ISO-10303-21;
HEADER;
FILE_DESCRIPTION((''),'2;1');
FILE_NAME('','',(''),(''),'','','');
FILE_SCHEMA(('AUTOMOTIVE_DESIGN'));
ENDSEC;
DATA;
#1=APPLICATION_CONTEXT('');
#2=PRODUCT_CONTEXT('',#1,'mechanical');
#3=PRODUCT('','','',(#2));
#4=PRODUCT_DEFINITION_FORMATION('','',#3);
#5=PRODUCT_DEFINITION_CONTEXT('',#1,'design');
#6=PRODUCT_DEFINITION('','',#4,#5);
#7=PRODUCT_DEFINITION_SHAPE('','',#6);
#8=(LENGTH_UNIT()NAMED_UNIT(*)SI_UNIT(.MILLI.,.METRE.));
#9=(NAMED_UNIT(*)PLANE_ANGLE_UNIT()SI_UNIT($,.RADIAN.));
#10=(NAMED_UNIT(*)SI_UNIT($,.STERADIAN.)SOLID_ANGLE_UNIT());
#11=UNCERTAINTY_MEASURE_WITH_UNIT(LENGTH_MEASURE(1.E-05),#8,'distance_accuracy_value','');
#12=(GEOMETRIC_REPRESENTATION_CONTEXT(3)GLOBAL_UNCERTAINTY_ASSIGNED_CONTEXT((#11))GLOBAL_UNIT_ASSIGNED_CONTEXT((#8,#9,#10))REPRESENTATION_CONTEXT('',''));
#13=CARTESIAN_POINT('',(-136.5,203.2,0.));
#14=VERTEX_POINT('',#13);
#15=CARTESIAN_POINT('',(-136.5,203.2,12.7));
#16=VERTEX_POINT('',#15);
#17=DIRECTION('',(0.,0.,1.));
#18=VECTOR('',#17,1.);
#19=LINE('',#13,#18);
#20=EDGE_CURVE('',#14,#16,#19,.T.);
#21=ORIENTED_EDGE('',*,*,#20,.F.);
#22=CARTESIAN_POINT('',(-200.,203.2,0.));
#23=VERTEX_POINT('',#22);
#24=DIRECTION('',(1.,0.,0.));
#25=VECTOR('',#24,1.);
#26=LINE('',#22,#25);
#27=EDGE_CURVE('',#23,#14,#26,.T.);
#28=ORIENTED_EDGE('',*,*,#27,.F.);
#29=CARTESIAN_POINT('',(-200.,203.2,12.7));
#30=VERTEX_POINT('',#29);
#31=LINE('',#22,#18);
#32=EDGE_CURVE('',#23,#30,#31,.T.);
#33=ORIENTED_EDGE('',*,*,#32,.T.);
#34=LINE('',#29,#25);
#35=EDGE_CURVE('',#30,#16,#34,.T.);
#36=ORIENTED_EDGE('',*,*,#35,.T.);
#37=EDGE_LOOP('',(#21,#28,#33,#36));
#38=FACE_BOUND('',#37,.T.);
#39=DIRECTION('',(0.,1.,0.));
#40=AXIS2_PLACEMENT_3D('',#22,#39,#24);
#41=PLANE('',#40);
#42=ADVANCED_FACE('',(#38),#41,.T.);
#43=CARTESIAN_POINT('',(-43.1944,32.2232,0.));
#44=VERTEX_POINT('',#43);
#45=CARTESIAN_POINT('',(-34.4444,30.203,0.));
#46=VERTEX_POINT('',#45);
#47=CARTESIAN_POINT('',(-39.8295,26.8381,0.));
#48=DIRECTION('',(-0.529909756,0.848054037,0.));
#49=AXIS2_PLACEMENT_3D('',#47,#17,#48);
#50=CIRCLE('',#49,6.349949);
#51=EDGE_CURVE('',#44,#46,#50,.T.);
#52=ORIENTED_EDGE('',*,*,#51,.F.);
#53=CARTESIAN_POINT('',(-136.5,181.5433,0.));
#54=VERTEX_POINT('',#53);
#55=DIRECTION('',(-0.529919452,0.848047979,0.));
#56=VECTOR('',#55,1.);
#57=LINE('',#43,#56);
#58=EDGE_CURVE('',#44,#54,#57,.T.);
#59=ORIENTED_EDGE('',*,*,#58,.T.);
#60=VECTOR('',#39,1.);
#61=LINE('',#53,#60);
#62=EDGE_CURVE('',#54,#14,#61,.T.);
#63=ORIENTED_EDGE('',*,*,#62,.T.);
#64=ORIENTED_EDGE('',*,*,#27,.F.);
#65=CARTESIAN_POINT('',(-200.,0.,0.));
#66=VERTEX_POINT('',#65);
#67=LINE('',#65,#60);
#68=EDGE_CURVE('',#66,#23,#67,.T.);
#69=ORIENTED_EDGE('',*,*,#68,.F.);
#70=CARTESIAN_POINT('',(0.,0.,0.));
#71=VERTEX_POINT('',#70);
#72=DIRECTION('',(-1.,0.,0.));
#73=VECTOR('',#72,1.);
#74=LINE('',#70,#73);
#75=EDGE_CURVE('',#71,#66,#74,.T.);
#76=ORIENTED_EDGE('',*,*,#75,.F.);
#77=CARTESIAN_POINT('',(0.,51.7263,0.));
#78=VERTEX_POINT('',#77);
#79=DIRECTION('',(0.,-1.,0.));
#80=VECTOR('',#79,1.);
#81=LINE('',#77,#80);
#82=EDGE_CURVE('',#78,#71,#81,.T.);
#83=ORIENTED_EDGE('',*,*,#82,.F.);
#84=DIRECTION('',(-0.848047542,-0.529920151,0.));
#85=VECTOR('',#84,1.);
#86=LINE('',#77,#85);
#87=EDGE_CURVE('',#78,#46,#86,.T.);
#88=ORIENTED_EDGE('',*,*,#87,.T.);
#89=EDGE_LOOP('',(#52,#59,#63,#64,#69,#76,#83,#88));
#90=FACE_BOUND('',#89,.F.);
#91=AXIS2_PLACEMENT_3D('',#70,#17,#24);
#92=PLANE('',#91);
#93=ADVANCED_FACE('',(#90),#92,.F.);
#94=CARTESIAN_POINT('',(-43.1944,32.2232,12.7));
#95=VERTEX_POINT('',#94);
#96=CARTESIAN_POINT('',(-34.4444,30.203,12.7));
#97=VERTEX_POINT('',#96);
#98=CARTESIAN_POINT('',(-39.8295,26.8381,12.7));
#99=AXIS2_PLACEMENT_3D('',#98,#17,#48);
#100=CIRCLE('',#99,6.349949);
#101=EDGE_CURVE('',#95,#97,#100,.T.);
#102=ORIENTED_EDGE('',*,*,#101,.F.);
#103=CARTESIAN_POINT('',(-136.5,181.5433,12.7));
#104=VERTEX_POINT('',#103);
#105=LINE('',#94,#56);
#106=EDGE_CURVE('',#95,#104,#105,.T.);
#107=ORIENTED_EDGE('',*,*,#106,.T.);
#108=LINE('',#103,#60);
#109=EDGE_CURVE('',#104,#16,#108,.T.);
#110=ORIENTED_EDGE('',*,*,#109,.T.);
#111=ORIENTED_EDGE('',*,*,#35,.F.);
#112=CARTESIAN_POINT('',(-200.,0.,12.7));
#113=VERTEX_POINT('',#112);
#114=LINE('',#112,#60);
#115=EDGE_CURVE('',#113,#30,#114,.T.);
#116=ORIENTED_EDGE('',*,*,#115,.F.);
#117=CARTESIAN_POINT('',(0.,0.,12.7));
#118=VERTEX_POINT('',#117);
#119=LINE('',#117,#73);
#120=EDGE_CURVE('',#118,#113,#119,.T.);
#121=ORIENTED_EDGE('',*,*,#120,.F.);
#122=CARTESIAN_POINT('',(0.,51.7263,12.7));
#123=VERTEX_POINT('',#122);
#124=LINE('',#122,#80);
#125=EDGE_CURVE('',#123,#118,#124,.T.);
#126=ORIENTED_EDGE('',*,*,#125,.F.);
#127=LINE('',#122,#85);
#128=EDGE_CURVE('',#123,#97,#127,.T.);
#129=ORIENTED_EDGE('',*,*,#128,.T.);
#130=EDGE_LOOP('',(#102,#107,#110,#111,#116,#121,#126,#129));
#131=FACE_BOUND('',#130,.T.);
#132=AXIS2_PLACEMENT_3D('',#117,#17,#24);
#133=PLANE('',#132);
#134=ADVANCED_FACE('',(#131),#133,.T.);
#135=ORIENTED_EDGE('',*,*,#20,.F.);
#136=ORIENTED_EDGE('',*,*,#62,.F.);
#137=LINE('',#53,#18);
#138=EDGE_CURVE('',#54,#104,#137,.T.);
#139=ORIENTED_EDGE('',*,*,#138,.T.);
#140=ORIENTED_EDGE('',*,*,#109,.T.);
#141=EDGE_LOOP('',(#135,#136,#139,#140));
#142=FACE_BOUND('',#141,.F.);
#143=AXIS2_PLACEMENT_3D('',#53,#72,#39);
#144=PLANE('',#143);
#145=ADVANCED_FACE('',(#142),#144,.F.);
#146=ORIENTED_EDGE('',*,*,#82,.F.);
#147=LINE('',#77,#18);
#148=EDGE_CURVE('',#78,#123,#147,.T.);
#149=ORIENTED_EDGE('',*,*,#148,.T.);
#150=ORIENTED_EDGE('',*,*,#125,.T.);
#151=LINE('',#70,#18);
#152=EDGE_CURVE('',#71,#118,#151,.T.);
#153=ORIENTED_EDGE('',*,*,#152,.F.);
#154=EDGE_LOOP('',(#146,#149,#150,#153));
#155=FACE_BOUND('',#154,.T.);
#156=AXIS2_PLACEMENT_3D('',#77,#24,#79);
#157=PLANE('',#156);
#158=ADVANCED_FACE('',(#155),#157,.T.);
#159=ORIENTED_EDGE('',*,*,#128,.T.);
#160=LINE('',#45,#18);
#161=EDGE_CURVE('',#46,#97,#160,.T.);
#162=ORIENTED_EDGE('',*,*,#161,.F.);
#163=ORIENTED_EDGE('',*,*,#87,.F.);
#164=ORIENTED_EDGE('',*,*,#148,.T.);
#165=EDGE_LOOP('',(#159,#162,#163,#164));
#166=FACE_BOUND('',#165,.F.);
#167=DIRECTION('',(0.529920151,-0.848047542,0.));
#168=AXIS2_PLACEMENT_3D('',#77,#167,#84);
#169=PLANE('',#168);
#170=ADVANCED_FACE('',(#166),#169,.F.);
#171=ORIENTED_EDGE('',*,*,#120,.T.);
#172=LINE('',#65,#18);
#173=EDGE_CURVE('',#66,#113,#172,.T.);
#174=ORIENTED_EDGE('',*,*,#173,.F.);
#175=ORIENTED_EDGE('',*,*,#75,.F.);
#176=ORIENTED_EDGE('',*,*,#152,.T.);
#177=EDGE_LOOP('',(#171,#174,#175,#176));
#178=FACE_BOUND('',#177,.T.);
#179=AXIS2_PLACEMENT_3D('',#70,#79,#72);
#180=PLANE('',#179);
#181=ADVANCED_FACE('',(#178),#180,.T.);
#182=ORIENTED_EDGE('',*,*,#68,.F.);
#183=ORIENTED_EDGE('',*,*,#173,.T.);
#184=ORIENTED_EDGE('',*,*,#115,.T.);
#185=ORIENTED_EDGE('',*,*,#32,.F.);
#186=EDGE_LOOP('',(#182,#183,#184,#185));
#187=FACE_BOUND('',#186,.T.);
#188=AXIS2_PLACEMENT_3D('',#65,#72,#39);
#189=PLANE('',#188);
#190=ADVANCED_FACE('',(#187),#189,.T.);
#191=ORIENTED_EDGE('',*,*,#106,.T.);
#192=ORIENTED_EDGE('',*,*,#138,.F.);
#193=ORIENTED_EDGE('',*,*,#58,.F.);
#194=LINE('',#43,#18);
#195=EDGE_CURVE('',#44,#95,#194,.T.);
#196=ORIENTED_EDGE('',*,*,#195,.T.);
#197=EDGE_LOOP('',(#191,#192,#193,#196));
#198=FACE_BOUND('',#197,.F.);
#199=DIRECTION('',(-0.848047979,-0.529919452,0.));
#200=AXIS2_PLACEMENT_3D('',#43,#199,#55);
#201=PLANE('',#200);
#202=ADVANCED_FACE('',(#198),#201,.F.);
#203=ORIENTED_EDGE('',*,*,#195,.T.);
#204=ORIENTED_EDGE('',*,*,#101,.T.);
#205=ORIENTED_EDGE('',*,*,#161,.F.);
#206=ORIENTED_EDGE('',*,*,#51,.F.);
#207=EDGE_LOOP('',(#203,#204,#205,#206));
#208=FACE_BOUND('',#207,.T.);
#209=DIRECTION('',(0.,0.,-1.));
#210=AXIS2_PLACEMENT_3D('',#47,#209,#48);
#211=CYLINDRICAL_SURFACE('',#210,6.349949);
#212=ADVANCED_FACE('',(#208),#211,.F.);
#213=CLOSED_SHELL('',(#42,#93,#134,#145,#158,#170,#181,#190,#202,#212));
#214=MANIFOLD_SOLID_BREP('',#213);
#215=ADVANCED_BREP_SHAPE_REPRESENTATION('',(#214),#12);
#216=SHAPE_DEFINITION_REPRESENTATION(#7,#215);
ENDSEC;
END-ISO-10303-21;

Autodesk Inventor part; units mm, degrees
ref_plane "Right" through (0, 0, 0) normal (1, 0, 0) x (0, 1, 0)
ref_plane "Top" through (0, 0, 0) normal (0, 1, 0) x (-1, 0, 0)
ref_plane "Front" through (0, 0, 0) normal (0, 0, 1) x (1, 0, 0)
sketch "Sketch1" plane through (0, 0, 0) normal (0, 0, 1) x (1, 0, 0)
  line L0 (0, 0) -> (-200, 0) construction
  line L1 (-200, 0) -> (-200, 400) construction
  line L2 (-200, 400) -> (0, 400) construction
  line L3 (0, 400) -> (0, 0) construction
  line L4 (11.905, 82.55) -> (10, 82.55)
  line L5 (10, 82.55) -> (10, 50.8)
  line L6 (10, 50.8) -> (11.905, 50.8)
  line L7 (11.905, 50.8) -> (11.905, 82.55)
  line L8 (-46.4241, 188.377) -> (10, 98.0795) construction
  line L9 (10, 98.0795) -> (10, 57.975) construction
  line L10 (10, 57.975) -> (-21.8066, 38.1) construction
  line L11 (-21.8066, 38.1) -> (-57.8523, 55.6807) construction
  line L12 (-57.8523, 55.6807) -> (-114.2764, 145.9781) construction
  line L13 (-114.2764, 145.9781) -> (-46.4241, 188.377) construction
  line L14 (0, 51.7263) -> (0, 0)
  line L15 (0, 0) -> (-200, 0)
  line L16 (-200, 0) -> (-200, 203.2)
  line L17 (-200, 203.2) -> (-136.5, 203.2)
  line L18 (0, 51.7263) -> (-34.4444, 30.203)
  line L19 (-43.1944, 32.2232) -> (-136.5, 181.5433)
  line L20 (-136.5, 181.5433) -> (-136.5, 203.2)
  arc A0 (-43.1944, 32.2232) -> (-34.4444, 30.203) centre (-39.8295, 26.8381) ccw
  dimension "d0" = 200
  dimension "d1" = 400
  dimension "d2" = 1.905
  dimension "d3" = 31.75
  dimension "d4" = 10
  dimension "d5" = 50.8
  dimension "d6" = 32
  dimension "d7" = 32
  dimension "d8" = 80.01
  dimension "d9" = 34.0106
  dimension "d10" = 140.4874
  dimension "d11" = 38.1
  dimension "d12" = 63.5
  dimension "d13" = 203.2
  dimension "d14" = 12.7
  dimension "d15" = 52.3469
  dimension "d16" = 55.7119
extrude "Plate1" add sketch "Sketch1" along normal blind 12.7 contours L14 L15 L16 L17 L20 L19 A0 L18
equation "\"d7\" = d6"
equation "\"d17\" = Thickness"
equation "\"BendRadius\" = Thickness"
equation "\"BendReliefWidth\" = 0.5 * Thickness"
equation "\"BendReliefDepth\" = 0.5 * Thickness"
equation "\"CornerReliefSize\" = 4 * Thickness"
equation "\"MinimumRemnant\" = 2 * Thickness"
equation "\"TransitionRadius\" = BendRadius"
equation "\"JacobiRadiusSize\" = BendRadius"
equation "\"Thickness\" = 12.7"
properties part number "JIG1" material "A36"
